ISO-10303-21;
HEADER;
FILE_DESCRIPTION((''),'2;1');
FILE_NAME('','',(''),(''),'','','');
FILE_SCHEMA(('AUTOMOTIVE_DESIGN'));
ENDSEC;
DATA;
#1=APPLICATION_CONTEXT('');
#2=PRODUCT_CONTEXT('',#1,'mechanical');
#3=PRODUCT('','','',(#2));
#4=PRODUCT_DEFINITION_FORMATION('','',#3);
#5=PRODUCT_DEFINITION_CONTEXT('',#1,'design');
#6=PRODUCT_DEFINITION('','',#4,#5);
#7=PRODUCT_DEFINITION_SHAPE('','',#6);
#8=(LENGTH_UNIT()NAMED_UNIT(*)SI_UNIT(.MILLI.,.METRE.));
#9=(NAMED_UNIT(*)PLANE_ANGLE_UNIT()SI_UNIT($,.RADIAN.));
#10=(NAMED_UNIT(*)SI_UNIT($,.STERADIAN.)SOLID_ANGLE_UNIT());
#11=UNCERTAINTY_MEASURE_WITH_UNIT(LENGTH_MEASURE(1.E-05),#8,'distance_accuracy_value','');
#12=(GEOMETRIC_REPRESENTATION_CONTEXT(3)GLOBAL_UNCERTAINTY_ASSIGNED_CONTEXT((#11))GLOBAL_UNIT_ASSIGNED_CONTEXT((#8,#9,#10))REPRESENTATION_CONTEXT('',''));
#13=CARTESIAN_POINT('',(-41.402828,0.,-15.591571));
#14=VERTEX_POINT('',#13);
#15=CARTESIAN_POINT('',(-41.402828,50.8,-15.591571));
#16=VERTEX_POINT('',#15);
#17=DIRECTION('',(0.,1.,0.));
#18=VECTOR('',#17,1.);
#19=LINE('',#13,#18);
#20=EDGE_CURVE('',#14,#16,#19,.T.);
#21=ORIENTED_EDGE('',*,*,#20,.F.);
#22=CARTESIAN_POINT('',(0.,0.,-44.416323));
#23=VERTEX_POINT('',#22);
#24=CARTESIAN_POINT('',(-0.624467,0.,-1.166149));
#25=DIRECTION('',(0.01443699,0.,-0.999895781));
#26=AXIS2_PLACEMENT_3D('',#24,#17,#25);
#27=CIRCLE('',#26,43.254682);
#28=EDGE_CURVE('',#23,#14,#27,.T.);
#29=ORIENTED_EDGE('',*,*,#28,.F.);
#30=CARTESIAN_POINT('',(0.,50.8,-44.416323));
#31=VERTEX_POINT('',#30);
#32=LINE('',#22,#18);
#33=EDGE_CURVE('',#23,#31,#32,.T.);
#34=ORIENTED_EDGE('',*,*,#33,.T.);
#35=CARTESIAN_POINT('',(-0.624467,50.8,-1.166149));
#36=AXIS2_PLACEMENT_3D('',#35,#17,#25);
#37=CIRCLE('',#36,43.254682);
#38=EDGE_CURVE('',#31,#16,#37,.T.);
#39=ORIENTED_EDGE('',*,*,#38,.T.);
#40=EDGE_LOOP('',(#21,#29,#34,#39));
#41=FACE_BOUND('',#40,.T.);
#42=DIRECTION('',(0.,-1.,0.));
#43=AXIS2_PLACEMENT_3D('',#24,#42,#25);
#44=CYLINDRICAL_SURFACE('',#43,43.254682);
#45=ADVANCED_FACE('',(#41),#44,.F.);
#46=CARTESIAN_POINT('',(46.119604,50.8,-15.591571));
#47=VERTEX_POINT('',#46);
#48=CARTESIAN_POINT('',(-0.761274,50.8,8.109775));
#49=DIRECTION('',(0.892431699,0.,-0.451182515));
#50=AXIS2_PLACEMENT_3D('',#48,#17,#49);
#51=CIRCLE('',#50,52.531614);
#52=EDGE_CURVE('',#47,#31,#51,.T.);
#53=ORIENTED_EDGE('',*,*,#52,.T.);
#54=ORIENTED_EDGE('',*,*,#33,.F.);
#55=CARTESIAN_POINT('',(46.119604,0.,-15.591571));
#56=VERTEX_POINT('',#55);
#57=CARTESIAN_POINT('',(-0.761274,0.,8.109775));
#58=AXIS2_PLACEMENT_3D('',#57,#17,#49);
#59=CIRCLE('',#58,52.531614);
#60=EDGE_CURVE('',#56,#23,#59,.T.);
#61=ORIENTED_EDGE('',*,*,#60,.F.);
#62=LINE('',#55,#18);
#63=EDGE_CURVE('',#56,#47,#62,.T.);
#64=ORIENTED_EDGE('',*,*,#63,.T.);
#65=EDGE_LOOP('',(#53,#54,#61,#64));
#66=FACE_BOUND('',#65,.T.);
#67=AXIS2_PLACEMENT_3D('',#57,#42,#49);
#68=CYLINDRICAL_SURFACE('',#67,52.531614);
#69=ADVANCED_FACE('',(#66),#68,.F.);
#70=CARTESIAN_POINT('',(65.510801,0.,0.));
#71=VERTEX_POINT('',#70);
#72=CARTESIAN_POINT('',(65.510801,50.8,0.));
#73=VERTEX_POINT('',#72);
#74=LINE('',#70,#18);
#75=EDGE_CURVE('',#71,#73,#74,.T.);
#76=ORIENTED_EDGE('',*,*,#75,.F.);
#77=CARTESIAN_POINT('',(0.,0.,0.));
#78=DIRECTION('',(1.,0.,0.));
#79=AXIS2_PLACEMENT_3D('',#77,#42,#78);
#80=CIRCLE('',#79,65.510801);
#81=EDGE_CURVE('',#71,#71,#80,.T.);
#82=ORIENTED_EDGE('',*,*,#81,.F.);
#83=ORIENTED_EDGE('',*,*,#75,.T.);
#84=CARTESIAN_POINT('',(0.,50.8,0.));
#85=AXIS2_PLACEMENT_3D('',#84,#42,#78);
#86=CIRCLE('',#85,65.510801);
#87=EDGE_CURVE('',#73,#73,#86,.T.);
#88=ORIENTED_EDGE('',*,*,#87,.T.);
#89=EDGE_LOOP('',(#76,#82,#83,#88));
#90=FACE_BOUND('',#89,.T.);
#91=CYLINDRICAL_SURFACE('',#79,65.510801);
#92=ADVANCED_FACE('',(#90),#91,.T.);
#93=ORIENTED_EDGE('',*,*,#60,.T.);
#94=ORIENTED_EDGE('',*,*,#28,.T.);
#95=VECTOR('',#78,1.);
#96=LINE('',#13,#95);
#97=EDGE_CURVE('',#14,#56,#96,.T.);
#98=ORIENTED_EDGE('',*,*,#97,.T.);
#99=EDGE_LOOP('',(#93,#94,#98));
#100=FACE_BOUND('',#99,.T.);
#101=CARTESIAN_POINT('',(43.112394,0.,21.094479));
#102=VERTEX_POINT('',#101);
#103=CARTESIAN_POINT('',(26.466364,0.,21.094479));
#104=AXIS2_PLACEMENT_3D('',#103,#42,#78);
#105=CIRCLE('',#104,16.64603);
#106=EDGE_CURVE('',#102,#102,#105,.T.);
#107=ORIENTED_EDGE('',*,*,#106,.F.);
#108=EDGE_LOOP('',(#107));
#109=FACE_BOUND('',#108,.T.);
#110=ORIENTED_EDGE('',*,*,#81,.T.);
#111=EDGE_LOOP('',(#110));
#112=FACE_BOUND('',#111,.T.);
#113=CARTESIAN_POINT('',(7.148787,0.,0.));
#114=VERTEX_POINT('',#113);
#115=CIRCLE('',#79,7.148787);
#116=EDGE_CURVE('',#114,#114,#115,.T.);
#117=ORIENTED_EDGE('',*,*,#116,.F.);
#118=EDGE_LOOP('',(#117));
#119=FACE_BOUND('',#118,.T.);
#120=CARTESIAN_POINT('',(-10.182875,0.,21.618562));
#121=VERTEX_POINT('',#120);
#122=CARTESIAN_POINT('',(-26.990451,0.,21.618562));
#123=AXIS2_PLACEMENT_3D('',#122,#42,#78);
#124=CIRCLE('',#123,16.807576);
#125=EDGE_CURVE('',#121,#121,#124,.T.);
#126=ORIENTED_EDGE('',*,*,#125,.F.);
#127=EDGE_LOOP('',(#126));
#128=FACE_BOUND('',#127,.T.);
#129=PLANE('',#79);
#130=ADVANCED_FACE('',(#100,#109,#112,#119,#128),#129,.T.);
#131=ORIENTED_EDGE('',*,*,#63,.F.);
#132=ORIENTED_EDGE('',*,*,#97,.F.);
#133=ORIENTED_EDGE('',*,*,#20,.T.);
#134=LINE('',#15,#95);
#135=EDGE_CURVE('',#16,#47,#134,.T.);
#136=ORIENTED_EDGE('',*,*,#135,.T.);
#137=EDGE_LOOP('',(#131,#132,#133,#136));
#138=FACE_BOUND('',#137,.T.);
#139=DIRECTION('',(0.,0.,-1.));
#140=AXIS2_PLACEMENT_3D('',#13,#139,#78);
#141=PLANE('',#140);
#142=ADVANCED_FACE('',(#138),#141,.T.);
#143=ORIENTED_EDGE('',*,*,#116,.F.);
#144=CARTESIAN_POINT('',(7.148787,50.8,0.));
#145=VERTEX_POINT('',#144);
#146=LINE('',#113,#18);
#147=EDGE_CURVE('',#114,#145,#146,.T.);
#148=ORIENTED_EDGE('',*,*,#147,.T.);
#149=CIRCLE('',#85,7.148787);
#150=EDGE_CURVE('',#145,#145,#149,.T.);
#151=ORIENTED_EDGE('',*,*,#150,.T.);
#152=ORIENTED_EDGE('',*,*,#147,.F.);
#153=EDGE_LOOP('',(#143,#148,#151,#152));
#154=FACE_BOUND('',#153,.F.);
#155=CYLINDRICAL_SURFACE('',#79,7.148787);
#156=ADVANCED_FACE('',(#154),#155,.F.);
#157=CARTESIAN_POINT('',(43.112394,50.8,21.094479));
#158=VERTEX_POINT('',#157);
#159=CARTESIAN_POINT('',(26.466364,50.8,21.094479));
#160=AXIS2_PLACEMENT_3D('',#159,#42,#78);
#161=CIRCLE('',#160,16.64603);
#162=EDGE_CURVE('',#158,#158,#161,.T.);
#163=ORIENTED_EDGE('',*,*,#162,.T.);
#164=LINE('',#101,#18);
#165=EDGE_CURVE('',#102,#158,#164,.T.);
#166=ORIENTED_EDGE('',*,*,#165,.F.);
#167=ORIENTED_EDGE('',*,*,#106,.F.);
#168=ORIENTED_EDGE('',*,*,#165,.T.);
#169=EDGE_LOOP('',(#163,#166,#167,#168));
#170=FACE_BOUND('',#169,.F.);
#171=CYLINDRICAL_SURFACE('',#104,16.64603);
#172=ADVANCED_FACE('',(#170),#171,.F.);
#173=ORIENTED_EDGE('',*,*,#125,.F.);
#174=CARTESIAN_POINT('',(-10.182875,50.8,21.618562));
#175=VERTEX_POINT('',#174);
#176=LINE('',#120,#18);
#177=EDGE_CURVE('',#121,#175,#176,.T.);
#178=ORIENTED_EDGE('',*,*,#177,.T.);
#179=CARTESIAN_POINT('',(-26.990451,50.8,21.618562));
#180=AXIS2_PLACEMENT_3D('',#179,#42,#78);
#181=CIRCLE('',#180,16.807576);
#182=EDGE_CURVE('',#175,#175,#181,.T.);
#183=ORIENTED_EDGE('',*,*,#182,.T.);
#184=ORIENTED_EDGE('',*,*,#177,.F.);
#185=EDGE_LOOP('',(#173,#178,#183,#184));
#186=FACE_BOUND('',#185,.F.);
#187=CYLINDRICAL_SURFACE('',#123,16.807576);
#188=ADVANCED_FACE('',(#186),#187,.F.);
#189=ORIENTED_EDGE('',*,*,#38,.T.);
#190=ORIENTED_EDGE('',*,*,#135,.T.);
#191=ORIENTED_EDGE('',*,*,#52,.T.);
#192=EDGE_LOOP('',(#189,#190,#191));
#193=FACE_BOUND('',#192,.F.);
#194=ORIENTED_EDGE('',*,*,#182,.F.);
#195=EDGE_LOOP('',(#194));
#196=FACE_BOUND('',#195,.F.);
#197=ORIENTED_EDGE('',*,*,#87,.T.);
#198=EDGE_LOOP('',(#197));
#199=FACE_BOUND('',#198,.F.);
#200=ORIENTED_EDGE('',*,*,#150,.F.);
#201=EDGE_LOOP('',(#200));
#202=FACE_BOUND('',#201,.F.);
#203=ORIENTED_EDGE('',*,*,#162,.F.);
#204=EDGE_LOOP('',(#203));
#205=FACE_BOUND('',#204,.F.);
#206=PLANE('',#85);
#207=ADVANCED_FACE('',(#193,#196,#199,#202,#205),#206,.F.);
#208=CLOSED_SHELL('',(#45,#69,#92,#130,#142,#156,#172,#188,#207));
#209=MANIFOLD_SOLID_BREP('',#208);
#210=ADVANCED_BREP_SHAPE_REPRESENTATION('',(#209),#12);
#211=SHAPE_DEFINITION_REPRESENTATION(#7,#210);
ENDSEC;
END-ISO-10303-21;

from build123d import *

# Parameters (mm, degrees)
F0_R     = 65.510801
F0_R_2   = 16.807576
F0_R_3   = 7.148787
F0_R_4   = 16.64603
F1_DEPTH = 50.8


with BuildPart() as f1:
    # F0 (on Front) → F1 (new body)
    with BuildSketch(Plane.XZ):
        Circle(F0_R)
        with BuildLine():
            ThreePointArc((0, -44.416323), (-25.338843, -36.664982), (-41.402828, -15.591571))
            Line((-41.402828, -15.591571), (46.119604, -15.591571))
            ThreePointArc((46.119604, -15.591571), (27.080426, -36.436945), (0, -44.416323))
        make_face(mode=Mode.SUBTRACT)
        with Locations((-26.990451, 21.618562)):
            Circle(F0_R_2, mode=Mode.SUBTRACT)
        Circle(F0_R_3, mode=Mode.SUBTRACT)
        with Locations((26.466364, 21.094479)):
            Circle(F0_R_4, mode=Mode.SUBTRACT)
    extrude(amount=-F1_DEPTH)


solid = f1.part
